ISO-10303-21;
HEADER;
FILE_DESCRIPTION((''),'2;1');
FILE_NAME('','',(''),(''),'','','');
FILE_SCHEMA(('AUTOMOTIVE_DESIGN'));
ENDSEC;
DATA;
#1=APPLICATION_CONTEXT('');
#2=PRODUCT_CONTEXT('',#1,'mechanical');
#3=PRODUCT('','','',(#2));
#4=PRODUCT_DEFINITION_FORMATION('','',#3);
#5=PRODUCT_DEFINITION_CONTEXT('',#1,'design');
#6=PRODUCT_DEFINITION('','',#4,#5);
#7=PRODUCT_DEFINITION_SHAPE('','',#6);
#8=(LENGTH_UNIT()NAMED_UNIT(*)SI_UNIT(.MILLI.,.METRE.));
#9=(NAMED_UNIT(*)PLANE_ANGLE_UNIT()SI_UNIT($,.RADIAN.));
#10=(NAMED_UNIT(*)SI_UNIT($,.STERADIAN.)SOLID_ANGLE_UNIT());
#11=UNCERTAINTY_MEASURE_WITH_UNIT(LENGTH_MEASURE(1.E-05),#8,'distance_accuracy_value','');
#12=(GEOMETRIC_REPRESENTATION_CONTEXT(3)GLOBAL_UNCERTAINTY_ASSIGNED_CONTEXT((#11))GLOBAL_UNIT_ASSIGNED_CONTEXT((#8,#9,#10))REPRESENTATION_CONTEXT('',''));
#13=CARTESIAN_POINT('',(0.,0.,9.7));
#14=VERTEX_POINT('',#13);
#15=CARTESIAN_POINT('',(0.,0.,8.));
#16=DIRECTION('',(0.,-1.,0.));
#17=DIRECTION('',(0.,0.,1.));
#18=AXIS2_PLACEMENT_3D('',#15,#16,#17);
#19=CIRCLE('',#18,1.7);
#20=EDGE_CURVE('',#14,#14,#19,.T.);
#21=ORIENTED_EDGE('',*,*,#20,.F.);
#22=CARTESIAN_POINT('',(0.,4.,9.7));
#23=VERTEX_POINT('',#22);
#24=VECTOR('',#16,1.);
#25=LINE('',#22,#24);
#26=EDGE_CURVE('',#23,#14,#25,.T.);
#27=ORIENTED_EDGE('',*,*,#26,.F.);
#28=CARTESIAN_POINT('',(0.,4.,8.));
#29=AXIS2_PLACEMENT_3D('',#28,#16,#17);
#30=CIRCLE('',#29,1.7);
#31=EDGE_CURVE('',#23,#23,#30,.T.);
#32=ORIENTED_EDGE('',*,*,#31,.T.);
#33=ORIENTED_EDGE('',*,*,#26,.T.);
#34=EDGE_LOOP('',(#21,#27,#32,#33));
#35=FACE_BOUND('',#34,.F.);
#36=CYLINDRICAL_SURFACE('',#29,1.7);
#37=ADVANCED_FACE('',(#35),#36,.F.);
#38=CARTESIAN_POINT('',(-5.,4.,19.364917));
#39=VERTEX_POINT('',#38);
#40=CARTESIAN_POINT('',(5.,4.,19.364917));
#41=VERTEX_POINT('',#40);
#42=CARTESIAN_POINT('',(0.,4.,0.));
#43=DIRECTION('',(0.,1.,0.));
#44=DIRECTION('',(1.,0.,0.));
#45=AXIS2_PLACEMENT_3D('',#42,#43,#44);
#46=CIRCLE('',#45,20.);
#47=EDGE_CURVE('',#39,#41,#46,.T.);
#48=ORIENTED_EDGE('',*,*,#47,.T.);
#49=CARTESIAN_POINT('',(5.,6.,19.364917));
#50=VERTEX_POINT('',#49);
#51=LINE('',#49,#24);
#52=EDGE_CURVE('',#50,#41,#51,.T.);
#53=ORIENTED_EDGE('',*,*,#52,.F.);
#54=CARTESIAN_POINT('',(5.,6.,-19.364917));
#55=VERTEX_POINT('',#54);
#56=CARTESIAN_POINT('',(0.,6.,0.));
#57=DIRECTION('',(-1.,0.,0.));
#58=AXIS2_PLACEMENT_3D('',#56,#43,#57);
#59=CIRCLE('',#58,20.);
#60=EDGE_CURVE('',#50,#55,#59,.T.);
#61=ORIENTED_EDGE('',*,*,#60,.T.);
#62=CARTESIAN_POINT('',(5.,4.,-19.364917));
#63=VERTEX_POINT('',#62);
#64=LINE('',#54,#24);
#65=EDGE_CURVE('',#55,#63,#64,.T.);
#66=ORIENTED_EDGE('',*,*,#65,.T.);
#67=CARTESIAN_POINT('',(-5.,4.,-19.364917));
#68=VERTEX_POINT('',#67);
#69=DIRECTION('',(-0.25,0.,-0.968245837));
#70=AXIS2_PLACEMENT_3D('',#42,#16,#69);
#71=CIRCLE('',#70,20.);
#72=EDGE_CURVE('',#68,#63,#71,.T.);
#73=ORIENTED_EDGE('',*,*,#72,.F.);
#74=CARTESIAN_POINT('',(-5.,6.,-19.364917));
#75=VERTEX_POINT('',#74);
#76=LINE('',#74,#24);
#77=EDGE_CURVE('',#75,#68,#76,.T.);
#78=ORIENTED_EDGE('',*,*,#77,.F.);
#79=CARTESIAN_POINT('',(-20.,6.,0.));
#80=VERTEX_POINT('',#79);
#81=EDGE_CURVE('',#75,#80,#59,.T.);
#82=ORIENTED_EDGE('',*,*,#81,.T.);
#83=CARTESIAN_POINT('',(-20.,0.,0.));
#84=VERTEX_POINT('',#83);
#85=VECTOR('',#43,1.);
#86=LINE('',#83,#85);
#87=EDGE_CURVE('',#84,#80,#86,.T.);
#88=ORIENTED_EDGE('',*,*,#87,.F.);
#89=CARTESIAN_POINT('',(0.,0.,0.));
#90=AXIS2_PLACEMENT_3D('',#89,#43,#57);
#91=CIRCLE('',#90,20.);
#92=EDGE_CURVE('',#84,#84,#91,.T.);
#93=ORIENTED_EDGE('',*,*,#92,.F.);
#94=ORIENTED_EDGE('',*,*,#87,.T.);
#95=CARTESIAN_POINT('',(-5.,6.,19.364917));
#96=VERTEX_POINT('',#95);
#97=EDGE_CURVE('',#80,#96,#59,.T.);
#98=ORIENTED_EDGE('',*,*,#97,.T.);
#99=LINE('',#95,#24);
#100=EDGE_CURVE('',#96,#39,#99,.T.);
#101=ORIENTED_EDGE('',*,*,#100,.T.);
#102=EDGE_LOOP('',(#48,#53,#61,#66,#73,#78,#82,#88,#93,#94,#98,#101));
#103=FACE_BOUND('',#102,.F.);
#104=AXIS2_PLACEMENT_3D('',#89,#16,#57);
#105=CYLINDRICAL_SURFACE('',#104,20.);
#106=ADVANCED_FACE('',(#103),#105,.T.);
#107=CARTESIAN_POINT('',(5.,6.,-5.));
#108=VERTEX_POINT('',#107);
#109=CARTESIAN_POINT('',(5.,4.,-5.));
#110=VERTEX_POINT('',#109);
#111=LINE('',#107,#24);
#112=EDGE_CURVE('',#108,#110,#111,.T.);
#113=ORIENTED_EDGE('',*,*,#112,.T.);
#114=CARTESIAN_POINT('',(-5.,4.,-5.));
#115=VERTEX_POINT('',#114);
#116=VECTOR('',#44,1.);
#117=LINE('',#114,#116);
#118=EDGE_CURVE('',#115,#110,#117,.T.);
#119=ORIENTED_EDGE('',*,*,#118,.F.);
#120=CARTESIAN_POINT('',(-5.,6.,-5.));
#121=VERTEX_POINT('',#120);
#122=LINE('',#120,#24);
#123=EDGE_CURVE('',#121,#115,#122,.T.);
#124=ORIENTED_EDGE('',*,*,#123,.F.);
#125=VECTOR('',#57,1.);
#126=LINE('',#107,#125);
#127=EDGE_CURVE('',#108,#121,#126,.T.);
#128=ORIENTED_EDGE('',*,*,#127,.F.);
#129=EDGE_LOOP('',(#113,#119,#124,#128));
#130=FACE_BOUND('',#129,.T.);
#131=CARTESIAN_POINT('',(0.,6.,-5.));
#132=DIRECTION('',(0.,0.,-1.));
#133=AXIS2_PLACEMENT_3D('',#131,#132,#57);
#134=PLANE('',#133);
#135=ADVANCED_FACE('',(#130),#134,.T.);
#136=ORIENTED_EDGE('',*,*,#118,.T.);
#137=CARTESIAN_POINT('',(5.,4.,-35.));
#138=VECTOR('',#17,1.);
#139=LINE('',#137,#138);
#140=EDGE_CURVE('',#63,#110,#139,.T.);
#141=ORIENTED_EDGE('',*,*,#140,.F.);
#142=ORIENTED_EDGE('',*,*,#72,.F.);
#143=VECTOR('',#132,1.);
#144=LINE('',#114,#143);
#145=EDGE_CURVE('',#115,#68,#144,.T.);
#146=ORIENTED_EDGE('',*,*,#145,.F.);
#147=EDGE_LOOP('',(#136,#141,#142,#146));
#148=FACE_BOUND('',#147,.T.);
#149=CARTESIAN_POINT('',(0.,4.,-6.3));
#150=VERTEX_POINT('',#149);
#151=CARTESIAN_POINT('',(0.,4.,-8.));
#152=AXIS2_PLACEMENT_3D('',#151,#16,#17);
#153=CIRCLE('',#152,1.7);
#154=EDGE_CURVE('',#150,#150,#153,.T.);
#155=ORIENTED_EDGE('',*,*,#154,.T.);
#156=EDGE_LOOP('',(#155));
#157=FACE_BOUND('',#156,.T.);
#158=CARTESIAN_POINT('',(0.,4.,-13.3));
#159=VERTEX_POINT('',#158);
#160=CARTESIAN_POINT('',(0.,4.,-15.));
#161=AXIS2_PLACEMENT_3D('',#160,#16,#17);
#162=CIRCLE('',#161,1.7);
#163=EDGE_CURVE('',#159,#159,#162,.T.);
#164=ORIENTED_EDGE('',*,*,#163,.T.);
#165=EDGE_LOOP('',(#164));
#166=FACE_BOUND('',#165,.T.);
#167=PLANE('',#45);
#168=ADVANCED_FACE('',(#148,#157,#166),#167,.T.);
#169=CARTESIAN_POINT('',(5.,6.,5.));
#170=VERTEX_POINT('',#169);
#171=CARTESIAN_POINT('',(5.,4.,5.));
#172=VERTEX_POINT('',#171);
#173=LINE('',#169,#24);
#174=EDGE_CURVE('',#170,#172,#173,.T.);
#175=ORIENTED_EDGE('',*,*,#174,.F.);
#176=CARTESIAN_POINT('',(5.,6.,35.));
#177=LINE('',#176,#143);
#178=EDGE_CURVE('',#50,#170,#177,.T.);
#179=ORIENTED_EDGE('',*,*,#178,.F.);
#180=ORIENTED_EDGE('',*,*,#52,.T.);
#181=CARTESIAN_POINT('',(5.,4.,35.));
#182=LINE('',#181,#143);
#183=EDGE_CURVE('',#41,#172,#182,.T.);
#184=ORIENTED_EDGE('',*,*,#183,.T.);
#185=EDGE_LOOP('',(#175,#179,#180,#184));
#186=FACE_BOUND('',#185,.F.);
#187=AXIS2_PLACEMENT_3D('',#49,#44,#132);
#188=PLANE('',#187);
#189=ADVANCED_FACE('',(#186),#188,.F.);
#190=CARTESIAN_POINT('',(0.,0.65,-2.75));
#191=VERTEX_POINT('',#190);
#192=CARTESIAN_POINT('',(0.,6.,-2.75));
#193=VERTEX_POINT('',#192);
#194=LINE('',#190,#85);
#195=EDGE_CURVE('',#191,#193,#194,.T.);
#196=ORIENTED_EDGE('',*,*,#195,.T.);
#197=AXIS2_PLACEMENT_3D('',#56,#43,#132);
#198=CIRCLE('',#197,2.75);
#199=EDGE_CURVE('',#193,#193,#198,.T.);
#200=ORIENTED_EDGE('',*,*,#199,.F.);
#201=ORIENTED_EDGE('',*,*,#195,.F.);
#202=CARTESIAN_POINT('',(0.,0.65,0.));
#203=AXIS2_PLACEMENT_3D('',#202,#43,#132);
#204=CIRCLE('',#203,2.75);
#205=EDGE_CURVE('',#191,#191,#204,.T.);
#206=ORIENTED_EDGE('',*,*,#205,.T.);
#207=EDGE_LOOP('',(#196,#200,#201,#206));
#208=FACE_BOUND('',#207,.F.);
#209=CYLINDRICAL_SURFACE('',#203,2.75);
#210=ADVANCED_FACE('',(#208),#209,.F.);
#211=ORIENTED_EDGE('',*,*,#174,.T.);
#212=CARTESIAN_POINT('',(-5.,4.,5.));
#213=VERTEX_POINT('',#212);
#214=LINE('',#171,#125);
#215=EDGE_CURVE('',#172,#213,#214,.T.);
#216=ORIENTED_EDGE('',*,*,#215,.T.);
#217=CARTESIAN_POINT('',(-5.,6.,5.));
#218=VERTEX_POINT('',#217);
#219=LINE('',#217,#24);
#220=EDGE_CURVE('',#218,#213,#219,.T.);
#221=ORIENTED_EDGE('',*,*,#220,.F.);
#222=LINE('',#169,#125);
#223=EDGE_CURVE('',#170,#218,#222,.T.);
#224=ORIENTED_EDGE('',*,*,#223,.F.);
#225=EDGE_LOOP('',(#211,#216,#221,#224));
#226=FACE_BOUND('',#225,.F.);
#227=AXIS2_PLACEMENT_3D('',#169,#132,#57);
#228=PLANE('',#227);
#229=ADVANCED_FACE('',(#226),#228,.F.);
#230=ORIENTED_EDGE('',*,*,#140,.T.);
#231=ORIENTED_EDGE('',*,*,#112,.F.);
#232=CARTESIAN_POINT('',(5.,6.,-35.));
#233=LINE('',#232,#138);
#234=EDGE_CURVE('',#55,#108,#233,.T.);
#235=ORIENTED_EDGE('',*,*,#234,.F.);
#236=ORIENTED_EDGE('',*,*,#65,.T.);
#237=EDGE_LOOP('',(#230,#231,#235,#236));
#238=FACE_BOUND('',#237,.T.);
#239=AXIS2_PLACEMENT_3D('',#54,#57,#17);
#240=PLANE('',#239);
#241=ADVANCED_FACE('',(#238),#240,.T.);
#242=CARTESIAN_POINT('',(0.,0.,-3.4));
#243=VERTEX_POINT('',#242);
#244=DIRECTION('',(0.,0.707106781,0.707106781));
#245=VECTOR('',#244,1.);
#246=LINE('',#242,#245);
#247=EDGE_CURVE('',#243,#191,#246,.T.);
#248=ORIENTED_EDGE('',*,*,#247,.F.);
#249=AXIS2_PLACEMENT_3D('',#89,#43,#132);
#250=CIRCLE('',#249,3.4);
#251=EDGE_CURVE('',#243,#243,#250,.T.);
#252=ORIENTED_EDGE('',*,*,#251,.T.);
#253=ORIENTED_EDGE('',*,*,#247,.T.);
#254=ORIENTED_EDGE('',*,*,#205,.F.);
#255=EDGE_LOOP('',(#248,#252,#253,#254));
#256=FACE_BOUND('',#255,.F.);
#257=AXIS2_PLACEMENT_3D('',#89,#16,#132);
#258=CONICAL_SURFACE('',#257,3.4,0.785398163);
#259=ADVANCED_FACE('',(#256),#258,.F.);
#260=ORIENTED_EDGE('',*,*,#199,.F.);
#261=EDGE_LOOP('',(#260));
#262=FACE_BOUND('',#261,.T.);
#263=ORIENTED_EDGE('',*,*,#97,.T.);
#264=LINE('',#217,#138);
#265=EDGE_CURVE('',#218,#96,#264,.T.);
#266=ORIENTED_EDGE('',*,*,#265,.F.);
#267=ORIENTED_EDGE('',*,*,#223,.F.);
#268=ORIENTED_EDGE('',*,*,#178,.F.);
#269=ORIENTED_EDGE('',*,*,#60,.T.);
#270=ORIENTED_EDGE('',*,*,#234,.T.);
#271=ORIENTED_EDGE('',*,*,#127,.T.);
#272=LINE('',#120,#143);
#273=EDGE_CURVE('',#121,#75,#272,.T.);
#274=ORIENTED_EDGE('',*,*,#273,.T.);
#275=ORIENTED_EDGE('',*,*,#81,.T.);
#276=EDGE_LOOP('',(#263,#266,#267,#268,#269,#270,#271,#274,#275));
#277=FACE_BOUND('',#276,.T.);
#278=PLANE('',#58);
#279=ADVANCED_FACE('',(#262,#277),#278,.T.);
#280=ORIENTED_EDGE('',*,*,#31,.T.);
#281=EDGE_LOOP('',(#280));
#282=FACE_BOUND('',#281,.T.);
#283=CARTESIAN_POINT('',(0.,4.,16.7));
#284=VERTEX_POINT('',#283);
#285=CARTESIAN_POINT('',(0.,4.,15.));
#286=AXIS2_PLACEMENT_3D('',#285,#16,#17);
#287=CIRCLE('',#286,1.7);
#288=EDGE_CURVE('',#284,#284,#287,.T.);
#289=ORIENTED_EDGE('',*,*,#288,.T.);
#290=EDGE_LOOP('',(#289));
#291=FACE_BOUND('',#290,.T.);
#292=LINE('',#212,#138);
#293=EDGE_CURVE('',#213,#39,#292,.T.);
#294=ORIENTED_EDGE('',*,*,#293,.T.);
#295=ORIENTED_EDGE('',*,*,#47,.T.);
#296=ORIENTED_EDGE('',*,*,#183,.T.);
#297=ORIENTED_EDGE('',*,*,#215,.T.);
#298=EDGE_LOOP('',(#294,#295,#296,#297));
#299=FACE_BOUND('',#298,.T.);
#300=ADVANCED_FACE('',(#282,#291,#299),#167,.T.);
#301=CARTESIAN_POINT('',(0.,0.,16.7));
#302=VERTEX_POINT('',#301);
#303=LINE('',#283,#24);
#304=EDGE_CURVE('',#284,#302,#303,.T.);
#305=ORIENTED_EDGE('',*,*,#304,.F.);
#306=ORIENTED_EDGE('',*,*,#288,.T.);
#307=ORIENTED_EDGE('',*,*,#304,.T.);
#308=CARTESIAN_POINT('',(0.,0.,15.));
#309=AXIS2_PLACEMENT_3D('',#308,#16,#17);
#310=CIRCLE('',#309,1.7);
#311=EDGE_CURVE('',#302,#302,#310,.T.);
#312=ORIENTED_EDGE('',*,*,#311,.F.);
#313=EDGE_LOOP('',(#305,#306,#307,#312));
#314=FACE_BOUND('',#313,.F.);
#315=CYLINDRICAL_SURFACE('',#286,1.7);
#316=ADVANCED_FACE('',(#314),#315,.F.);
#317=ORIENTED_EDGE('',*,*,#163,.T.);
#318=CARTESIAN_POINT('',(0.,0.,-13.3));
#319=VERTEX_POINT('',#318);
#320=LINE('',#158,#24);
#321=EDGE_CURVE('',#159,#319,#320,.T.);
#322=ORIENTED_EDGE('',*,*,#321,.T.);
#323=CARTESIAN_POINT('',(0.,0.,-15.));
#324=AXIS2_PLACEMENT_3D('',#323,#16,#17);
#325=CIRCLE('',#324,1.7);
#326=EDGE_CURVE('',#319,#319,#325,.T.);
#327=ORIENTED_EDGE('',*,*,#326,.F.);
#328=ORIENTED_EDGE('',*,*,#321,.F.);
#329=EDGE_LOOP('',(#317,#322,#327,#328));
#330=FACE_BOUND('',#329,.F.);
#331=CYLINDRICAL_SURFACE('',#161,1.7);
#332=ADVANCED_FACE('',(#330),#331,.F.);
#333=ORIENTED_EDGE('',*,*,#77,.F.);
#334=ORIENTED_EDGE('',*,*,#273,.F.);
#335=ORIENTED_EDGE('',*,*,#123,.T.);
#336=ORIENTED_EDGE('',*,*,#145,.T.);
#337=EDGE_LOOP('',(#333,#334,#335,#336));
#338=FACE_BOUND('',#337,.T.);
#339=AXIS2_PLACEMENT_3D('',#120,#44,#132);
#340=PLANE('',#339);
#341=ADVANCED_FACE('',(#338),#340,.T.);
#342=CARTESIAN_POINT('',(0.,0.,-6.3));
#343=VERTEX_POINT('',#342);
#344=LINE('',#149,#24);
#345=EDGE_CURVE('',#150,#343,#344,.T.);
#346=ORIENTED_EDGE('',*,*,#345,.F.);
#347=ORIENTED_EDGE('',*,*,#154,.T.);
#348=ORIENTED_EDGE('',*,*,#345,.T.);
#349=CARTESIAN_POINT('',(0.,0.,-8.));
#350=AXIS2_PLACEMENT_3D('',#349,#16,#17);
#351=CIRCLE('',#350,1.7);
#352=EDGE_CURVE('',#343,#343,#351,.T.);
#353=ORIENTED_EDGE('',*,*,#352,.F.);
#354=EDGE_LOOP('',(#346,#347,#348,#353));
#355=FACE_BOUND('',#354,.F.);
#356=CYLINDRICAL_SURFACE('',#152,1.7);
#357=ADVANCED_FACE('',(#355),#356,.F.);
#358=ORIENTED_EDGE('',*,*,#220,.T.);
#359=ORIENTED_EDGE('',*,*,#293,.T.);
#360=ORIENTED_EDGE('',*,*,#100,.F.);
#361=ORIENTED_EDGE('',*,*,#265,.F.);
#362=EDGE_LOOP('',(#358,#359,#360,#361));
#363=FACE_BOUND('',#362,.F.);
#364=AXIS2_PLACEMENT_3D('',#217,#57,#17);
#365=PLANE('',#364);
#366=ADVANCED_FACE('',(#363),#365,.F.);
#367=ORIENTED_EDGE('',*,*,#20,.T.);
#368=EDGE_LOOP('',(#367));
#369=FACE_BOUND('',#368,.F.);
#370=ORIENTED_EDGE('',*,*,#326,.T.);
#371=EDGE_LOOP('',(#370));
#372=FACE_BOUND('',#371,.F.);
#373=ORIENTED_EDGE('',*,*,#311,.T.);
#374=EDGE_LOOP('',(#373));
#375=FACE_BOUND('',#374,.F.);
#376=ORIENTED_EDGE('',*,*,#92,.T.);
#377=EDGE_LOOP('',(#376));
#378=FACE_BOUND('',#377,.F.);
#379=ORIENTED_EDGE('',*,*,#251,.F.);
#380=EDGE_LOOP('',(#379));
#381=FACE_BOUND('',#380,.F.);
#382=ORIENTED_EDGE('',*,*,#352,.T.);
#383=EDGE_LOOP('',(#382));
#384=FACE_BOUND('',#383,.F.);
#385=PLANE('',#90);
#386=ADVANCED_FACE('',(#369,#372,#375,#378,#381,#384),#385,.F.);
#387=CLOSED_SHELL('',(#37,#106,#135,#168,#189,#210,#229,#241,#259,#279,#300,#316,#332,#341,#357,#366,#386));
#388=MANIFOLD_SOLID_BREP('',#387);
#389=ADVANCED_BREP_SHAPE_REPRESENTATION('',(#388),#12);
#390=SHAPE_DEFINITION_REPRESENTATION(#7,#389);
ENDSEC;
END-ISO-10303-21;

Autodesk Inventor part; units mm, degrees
ref_plane "YZ Plane" through (0, 0, 0) normal (1, 0, 0) x (0, 1, 0)
ref_plane "XZ Plane" through (0, 0, 0) normal (0, 1, 0) x (-1, 0, 0)
ref_plane "XY Plane" through (0, 0, 0) normal (0, 0, 1) x (1, 0, 0)
sketch "Sketch1" plane through (0, 0, 0) normal (0, 1, 0) x (-1, 0, 0)
  circle A0 centre (0, 0) radius 20
  dimension "d0" = 40
extrude "Extrusion1" add sketch "Sketch1" along normal blind 6
sketch "Sketch3" plane through (0, 6, 0) normal (0, 1, 0) x (1, 0, 0)
  line L0 (0, 0) -> (0, 20)
  circle A0 centre (0, 0) radius 20 projected
  line L1 (5, 35) -> (5, 5)
  line L2 (5, 5) -> (-5, 5)
  line L3 (-5, 5) -> (-5, 35)
  line L4 (-5, 35) -> (5, 35)
  line L5 (5, 35) -> (-5, 5) construction
  line L6 (5, 5) -> (-5, 35) construction
  line L7 (20, 0) -> (-20, 0) construction
  line L8 (5, -35) -> (5, -5)
  line L9 (5, -5) -> (-5, -5)
  line L10 (-5, -5) -> (-5, -35)
  line L11 (-5, -35) -> (5, -35)
  point P0 (-5, 19.3649)
  point P1 (5, 19.3649)
  point P2 (-5, -19.3649)
  point P3 (5, -19.3649)
  dimension "d11" = 30
  dimension "d12" = 10
extrude "Extrusion2" cut sketch "Sketch3" against normal blind 2 contours L2 L3 A0 L0 | L0 A0 L1 L2 | L10 L9 L8 A0
sketch "Sketch5" plane through (0, 4, 0) normal (0, 1, 0) x (1, 0, 0)
  circle A0 centre (0, -8) radius 1
  circle A1 centre (0, -15) radius 1
  line L0 (-5, -5) -> (5, -5) projected
  arc A2 (-5, 19.3649) -> (-5, -19.3649) centre (0, 0) ccw projected
  line L1 (-20, 0) -> (20, 0) construction
  arc A3 (5, -19.3649) -> (5, 19.3649) centre (0, 0) ccw projected
  circle A4 centre (0, 8) radius 1
  circle A5 centre (0, 15) radius 1
  line L2 (5, 5) -> (-5, 5) projected
  line L3 (5, 19.3649) -> (5, 5) projected
  dimension "d20" = 2
  dimension "d21" = 2
  dimension "d22" = 3
  dimension "d23" = 7
  dimension "d39" = 3
  dimension "d40" = 5
  dimension "d41" = 5
hole "Hole2" at (0, 4, 15) at (0, 4, 8) at (0, 4, -8) at (0, 4, -15) direction (0, -1, 0) diameter 3.4 depth 10.979 tip angle 118 clearance for "Flat Head Machine Screw" size "M3" standard "Ansi Metric M Profile"
sketch "Sketch6" plane through (0, 0, 0) normal (0, -1, 0) x (1, 0, 0)
  circle A0 centre (0, 0) radius 1.5
  dimension "d31" = 3
hole "Hole3" at (0, 0, 0) direction (0, 1, 0) diameter 5.5 depth 8.8 tip angle 118 countersink diameter 6.8 countersink angle 90 clearance for "Flat Head Machine Screw" size "M5" standard "Ansi Metric M Profile"
properties part number "prop_retaining_part"
